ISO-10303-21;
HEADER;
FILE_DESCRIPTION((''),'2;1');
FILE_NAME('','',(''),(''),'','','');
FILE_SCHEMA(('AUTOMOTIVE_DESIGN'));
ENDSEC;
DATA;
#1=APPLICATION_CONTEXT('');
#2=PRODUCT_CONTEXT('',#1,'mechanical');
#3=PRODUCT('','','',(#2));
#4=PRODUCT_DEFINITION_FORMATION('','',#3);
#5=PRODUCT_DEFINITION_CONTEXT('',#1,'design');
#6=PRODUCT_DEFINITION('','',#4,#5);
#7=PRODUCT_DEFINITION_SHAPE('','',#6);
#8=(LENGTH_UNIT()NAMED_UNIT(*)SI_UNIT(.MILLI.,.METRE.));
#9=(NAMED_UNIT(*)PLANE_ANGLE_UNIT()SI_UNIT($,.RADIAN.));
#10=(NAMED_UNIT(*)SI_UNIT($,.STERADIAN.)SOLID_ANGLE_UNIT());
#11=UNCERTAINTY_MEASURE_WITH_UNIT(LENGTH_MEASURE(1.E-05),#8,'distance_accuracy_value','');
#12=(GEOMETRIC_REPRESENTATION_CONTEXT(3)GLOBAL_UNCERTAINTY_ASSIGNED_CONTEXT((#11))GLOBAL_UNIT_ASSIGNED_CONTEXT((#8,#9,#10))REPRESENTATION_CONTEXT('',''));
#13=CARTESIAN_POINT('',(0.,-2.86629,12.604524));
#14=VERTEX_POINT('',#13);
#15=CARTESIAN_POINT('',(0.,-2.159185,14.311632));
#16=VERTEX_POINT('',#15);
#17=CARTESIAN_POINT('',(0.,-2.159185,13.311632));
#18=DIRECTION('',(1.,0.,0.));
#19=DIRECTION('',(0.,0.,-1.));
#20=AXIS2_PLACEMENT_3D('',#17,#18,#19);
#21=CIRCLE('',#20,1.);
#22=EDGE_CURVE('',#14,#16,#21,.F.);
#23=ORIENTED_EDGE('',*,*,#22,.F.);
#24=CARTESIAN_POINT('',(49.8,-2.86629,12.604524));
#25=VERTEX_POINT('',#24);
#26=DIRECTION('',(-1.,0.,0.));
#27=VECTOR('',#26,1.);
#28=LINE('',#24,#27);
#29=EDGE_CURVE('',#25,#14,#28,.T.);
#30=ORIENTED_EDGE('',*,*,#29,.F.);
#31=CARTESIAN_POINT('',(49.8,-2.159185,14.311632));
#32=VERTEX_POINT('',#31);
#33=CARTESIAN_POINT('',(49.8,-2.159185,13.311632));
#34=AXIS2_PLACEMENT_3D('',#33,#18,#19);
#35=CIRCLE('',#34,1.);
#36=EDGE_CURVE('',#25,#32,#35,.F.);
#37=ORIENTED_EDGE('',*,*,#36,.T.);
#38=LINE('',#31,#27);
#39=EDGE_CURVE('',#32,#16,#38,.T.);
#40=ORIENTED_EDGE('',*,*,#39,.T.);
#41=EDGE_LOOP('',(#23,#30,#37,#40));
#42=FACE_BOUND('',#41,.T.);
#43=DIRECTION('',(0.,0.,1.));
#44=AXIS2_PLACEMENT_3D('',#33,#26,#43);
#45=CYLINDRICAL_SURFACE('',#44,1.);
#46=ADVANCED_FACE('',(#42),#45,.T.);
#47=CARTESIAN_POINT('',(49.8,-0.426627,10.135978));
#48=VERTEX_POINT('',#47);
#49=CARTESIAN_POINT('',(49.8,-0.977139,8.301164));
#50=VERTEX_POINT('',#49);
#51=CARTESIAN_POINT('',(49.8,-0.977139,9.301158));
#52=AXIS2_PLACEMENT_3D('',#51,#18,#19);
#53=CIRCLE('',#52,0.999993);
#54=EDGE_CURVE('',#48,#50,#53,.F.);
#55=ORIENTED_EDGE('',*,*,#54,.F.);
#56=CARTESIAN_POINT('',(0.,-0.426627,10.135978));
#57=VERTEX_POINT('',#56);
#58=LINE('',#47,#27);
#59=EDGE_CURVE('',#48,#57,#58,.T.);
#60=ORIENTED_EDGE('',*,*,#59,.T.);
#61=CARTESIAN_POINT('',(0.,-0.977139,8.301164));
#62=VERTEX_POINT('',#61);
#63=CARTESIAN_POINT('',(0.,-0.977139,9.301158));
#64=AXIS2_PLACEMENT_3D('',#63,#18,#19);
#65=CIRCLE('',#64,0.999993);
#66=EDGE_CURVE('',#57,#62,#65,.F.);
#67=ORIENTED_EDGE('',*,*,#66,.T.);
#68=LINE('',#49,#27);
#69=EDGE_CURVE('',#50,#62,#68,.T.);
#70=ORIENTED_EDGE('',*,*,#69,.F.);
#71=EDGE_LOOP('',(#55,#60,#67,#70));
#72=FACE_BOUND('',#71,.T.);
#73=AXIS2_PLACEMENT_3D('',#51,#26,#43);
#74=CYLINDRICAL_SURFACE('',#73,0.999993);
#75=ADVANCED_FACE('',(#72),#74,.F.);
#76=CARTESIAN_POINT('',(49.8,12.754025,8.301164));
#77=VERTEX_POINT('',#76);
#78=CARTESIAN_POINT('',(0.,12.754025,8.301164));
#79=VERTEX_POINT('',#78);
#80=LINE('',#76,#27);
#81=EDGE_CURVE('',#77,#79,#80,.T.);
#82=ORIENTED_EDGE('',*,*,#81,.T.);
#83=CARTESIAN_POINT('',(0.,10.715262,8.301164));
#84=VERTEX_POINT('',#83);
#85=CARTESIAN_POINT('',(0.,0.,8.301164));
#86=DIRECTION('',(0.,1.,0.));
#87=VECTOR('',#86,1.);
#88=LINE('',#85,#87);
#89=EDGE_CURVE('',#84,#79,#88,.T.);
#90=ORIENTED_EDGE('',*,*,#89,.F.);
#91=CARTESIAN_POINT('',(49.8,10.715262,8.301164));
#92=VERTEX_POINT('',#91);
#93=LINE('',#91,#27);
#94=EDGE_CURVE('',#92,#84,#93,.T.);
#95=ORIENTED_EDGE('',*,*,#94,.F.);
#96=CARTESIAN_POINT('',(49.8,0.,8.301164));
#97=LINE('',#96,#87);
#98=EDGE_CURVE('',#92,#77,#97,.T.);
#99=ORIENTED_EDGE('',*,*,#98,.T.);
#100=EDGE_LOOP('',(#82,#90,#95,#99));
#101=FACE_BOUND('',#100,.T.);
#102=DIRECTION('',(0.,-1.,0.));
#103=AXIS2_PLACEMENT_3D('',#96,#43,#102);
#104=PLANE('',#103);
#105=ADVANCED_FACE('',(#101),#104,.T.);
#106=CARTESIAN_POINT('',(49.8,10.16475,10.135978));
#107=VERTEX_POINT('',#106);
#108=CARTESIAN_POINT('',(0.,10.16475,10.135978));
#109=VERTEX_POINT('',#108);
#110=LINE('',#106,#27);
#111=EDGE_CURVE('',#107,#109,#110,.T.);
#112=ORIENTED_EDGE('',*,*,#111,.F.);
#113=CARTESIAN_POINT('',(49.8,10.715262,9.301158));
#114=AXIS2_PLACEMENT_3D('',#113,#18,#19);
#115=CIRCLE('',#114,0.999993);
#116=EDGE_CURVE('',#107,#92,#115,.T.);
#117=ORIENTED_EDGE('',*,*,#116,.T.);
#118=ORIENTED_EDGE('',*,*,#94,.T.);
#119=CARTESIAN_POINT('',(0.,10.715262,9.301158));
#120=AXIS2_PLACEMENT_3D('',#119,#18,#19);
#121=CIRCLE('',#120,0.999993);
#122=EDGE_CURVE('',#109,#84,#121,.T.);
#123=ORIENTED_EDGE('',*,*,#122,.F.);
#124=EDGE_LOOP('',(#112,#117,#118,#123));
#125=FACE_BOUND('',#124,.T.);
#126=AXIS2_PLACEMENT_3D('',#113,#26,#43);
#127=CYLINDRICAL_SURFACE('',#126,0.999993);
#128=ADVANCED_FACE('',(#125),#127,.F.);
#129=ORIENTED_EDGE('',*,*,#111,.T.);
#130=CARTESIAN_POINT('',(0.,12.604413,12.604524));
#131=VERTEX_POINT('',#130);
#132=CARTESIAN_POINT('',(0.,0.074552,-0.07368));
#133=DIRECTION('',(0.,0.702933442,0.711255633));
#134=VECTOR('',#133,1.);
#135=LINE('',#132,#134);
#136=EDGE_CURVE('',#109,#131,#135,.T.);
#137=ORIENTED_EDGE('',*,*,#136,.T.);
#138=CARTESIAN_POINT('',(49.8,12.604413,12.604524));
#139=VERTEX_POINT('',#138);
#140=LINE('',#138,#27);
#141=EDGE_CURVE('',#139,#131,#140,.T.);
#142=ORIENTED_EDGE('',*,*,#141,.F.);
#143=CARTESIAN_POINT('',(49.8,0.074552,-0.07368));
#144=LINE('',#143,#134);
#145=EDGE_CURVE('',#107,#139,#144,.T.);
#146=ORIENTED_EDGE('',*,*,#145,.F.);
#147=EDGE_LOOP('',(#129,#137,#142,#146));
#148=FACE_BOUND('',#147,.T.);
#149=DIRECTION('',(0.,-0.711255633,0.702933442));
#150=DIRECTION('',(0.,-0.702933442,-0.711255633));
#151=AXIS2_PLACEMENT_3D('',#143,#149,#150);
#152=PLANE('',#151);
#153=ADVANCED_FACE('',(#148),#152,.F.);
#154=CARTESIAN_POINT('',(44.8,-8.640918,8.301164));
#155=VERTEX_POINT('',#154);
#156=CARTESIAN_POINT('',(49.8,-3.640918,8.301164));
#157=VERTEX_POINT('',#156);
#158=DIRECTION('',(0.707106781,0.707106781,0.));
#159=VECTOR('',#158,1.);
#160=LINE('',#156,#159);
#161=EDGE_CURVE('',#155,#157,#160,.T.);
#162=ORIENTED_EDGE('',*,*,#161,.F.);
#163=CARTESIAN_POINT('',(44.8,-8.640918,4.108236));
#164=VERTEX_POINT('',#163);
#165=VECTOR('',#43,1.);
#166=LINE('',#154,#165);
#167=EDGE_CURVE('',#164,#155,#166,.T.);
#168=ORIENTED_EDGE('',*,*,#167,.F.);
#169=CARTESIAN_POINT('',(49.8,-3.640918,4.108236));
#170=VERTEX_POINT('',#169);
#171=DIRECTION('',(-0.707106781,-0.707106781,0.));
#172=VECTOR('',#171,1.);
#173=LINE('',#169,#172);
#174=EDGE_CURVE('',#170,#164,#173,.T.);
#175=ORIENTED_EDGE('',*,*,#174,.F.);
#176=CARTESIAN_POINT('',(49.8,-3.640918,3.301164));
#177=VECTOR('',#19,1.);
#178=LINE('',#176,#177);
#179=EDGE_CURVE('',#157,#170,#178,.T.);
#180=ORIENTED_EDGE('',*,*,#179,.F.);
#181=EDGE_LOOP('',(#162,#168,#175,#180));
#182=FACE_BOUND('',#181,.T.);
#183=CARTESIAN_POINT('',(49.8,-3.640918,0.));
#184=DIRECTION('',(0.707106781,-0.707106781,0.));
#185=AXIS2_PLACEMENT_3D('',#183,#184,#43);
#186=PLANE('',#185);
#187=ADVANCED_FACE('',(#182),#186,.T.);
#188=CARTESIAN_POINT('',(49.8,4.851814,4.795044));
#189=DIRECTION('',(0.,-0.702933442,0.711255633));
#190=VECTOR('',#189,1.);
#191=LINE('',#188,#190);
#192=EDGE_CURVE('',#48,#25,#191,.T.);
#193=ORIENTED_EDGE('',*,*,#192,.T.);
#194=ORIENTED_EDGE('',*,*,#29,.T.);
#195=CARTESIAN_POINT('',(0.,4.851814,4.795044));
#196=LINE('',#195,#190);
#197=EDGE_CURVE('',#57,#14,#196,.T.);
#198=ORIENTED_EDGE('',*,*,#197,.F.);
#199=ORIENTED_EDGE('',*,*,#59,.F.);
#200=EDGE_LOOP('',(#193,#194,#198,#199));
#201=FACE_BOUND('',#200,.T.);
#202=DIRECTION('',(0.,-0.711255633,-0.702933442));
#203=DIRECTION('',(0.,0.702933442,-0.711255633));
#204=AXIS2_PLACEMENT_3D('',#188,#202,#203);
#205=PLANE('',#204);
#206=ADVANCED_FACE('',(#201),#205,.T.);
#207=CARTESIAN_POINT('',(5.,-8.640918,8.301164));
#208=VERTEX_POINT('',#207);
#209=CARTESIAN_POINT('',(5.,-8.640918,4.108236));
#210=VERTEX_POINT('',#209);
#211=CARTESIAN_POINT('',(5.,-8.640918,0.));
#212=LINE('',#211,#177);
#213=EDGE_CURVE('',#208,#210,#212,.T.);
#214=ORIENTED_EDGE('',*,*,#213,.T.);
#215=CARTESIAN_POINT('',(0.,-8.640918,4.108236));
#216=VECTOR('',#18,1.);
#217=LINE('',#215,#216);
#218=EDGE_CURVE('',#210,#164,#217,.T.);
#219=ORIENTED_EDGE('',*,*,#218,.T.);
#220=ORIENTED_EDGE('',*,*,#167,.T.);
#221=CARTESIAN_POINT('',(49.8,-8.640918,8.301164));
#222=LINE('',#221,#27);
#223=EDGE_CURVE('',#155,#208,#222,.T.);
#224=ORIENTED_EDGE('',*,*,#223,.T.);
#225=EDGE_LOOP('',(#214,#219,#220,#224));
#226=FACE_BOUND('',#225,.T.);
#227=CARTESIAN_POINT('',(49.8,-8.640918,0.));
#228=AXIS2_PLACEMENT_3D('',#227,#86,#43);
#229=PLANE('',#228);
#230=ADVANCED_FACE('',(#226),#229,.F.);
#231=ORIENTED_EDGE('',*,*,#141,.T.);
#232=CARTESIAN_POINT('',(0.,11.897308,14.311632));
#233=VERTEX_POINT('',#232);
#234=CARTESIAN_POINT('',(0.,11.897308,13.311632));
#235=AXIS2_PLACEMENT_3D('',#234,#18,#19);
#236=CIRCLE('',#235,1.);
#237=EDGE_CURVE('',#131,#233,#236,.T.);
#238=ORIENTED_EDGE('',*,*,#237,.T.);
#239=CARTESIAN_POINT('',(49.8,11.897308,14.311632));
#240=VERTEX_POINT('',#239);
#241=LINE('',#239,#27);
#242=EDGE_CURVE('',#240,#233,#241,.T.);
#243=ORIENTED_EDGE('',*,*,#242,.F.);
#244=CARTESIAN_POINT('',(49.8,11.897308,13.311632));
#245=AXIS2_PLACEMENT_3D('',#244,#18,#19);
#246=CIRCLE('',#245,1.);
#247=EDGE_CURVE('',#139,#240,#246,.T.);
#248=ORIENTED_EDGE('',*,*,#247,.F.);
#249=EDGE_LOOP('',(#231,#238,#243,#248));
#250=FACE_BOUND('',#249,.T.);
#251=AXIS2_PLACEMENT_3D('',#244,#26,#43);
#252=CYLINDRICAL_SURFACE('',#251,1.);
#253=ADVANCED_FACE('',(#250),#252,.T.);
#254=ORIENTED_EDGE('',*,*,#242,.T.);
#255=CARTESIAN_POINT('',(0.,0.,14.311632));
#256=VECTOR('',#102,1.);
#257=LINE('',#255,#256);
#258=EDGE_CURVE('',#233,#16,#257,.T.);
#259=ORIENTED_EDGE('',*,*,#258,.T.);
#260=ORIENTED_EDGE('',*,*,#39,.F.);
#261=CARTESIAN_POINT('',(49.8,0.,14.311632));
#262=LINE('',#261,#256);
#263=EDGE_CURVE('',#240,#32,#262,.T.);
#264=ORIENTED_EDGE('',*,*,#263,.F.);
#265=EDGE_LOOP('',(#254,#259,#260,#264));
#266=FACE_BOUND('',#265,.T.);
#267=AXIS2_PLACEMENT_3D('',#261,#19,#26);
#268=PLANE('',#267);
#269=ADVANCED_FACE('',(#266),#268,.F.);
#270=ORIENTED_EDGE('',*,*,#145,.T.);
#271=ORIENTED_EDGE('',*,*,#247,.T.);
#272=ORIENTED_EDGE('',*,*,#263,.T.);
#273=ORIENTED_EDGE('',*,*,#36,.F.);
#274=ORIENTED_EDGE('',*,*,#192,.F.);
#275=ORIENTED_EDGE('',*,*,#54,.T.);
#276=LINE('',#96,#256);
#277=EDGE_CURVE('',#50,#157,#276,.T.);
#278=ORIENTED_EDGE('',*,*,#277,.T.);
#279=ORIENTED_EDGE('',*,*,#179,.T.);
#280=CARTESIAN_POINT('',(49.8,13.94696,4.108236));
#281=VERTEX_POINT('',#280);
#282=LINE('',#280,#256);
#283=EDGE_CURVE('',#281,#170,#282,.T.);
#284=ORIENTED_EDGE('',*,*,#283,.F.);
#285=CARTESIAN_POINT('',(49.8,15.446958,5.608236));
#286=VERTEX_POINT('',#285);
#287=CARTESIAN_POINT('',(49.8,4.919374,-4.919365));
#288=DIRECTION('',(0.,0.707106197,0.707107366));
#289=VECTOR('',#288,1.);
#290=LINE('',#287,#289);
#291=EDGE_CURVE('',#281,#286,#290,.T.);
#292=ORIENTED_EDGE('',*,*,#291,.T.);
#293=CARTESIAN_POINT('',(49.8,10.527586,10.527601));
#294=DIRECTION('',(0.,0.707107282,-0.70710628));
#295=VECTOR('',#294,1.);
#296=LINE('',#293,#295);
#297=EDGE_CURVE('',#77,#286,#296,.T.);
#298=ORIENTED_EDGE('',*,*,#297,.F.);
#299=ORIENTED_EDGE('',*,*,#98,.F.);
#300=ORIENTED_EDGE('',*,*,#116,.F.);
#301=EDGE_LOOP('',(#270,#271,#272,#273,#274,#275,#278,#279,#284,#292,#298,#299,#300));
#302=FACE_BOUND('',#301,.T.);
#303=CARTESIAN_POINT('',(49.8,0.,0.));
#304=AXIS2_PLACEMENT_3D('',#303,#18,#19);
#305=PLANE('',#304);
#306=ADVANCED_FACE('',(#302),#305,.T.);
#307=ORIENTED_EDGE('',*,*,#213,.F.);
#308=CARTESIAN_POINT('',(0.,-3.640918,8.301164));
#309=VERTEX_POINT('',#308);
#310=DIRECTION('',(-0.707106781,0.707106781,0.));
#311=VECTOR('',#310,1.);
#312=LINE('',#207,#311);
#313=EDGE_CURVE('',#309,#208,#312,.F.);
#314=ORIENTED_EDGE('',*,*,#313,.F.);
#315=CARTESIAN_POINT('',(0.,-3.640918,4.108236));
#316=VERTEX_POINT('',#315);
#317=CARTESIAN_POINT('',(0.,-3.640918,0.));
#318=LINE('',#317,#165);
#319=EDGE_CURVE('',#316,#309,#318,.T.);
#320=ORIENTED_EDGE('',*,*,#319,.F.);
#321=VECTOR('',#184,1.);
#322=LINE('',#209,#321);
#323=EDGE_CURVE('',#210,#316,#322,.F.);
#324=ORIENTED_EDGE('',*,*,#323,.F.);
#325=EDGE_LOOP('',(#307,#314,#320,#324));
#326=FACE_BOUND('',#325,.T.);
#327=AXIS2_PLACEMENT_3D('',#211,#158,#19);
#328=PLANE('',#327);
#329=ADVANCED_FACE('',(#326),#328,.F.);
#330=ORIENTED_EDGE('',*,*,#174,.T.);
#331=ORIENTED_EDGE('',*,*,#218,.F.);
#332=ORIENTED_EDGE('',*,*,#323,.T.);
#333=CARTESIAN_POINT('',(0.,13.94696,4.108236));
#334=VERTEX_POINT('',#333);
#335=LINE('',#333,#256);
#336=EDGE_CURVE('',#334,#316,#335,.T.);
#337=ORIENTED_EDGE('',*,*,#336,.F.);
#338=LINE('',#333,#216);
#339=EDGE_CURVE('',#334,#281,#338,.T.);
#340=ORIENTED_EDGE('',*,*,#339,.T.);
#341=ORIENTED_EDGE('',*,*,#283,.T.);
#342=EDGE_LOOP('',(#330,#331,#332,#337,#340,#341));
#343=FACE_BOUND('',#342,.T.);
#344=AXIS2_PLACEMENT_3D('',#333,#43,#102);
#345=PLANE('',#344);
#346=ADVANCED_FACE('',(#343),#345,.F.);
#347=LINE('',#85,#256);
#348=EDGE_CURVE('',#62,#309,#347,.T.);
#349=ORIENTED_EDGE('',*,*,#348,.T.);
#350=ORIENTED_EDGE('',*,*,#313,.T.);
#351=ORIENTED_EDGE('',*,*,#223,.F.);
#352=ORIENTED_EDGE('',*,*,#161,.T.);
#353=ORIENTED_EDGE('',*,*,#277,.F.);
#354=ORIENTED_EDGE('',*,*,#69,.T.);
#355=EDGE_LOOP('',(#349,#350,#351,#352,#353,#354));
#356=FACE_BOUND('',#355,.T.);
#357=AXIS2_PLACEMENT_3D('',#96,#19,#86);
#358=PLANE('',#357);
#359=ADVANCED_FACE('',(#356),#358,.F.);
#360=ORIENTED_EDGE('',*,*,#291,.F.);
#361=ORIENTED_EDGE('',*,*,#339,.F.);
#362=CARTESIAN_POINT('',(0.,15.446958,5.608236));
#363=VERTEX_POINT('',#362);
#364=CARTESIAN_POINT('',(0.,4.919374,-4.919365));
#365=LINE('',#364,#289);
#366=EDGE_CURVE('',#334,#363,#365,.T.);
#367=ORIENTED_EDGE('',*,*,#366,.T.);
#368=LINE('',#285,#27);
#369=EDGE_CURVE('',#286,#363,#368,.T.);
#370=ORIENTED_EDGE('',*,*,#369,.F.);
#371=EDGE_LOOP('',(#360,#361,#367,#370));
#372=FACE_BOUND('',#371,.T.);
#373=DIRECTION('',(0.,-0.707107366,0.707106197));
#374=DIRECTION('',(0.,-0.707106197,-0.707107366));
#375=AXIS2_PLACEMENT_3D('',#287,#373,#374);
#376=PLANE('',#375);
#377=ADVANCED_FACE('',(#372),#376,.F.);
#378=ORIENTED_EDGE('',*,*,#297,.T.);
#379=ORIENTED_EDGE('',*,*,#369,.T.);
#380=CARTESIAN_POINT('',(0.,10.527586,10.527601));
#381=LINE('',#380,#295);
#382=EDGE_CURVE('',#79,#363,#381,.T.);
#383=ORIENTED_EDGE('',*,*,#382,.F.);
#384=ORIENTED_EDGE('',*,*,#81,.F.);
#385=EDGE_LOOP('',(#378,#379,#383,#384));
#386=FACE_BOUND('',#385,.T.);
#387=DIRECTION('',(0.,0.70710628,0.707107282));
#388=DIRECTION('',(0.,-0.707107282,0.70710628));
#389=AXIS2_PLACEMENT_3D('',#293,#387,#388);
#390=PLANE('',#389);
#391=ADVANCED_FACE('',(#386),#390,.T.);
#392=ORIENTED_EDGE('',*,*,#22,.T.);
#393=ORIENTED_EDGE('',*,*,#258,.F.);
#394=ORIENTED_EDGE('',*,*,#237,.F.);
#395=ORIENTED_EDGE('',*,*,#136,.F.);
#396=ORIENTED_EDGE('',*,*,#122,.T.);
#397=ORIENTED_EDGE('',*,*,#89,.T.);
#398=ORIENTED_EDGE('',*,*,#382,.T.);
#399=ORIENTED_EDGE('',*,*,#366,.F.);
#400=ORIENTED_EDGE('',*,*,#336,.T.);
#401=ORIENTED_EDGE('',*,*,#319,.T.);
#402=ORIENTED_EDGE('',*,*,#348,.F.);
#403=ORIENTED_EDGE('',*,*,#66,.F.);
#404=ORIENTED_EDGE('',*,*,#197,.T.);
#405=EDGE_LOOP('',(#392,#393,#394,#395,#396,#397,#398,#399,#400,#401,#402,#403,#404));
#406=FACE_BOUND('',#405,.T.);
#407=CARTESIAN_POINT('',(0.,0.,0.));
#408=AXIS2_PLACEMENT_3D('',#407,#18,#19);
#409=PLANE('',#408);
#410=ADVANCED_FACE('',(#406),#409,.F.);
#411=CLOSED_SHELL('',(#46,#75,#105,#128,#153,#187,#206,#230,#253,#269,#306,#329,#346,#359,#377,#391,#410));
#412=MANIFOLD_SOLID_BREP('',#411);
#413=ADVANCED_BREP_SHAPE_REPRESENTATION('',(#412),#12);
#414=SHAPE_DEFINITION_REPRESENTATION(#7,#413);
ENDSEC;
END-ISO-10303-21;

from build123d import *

# Parameters (mm, degrees)
EXTRUDE_1_DEPTH     = 49.8
CHAMFER_1_SIZE      = 5
SKETCH_3_W          = 0.807071686
SKETCH_3_H          = 22.587877847
CUT_EXTRUDE_1_DEPTH = 49.8


with BuildPart() as part:
    # 草图1 → 凸台-拉伸1 (new body)
    with BuildSketch(Plane(origin=(0, 0, 0), x_dir=(0, 0, -1), z_dir=(1, 0, 0))):
        with BuildLine():
            Line((-3.30116432, 4.869061466), (-14.31163185, 4.869061466))
            Line((-14.31163185, 4.869061466), (-14.31163185, -2.159184752))
            ThreePointArc((-14.31163185, -2.159184752), (-13.694314645, -3.083064362), (-12.604524306, -2.866290096))
            Line((-12.604524306, -2.866290096), (-10.135977537, -0.42662706))
            ThreePointArc((-10.135977537, -0.42662706), (-10.00408666, -0.265887616), (-9.841806105, -0.13589764))
            ThreePointArc((-9.841806105, -0.13589764), (-8.821917683, -0.099462208), (-8.30116432, -0.977138612))
            Line((-8.30116432, -0.977138612), (-8.30116432, -3.015902523))
            Line((-8.30116432, -3.015902523), (-8.30116432, -8.640917782))
            Line((-8.30116432, -8.640917782), (-3.30116432, -8.640917782))
            Line((-3.30116432, -8.640917782), (-3.30116432, 4.869061466))
        make_face()
        with BuildLine():
            ThreePointArc((-8.30116432, 10.715261544), (-8.821917683, 9.83758514), (-9.841806105, 9.874020573))
            ThreePointArc((-9.841806105, 9.874020573), (-10.00408666, 10.004010548), (-10.135977537, 10.164749992))
            Line((-10.135977537, 10.164749992), (-12.604524306, 12.604413029))
            ThreePointArc((-12.604524306, 12.604413029), (-13.694314645, 12.821187294), (-14.31163185, 11.897307685))
            Line((-14.31163185, 11.897307685), (-14.31163185, 4.869061466))
            Line((-14.31163185, 4.869061466), (-3.30116432, 4.869061466))
            Line((-3.30116432, 4.869061466), (-3.30116432, 13.139889713))
            Line((-3.30116432, 13.139889713), (-5.608236006, 15.446957584))
            Line((-5.608236006, 15.446957584), (-8.30116432, 12.754025455))
            Line((-8.30116432, 12.754025455), (-8.30116432, 10.715261544))
        make_face()
    extrude(amount=EXTRUDE_1_DEPTH)

    # 倒角1
    chamfer_1_edges = [part.edges().sort_by_distance(p)[0] for p in [
        (0, -8.640917782, 5.80116432),
        (49.8, -8.640917782, 5.80116432),
    ]]
    chamfer(chamfer_1_edges, length=CHAMFER_1_SIZE)

    # 草图3 → 切除-拉伸1 (cut)
    with BuildSketch(Plane(origin=(49.8, 0, 0), x_dir=(0, 0, -1), z_dir=(1, 0, 0))):
        with Locations((-3.704700163, 2.653021142)):
            Rectangle(SKETCH_3_W, SKETCH_3_H)
    extrude(amount=-CUT_EXTRUDE_1_DEPTH, mode=Mode.SUBTRACT)


solid = part.part
